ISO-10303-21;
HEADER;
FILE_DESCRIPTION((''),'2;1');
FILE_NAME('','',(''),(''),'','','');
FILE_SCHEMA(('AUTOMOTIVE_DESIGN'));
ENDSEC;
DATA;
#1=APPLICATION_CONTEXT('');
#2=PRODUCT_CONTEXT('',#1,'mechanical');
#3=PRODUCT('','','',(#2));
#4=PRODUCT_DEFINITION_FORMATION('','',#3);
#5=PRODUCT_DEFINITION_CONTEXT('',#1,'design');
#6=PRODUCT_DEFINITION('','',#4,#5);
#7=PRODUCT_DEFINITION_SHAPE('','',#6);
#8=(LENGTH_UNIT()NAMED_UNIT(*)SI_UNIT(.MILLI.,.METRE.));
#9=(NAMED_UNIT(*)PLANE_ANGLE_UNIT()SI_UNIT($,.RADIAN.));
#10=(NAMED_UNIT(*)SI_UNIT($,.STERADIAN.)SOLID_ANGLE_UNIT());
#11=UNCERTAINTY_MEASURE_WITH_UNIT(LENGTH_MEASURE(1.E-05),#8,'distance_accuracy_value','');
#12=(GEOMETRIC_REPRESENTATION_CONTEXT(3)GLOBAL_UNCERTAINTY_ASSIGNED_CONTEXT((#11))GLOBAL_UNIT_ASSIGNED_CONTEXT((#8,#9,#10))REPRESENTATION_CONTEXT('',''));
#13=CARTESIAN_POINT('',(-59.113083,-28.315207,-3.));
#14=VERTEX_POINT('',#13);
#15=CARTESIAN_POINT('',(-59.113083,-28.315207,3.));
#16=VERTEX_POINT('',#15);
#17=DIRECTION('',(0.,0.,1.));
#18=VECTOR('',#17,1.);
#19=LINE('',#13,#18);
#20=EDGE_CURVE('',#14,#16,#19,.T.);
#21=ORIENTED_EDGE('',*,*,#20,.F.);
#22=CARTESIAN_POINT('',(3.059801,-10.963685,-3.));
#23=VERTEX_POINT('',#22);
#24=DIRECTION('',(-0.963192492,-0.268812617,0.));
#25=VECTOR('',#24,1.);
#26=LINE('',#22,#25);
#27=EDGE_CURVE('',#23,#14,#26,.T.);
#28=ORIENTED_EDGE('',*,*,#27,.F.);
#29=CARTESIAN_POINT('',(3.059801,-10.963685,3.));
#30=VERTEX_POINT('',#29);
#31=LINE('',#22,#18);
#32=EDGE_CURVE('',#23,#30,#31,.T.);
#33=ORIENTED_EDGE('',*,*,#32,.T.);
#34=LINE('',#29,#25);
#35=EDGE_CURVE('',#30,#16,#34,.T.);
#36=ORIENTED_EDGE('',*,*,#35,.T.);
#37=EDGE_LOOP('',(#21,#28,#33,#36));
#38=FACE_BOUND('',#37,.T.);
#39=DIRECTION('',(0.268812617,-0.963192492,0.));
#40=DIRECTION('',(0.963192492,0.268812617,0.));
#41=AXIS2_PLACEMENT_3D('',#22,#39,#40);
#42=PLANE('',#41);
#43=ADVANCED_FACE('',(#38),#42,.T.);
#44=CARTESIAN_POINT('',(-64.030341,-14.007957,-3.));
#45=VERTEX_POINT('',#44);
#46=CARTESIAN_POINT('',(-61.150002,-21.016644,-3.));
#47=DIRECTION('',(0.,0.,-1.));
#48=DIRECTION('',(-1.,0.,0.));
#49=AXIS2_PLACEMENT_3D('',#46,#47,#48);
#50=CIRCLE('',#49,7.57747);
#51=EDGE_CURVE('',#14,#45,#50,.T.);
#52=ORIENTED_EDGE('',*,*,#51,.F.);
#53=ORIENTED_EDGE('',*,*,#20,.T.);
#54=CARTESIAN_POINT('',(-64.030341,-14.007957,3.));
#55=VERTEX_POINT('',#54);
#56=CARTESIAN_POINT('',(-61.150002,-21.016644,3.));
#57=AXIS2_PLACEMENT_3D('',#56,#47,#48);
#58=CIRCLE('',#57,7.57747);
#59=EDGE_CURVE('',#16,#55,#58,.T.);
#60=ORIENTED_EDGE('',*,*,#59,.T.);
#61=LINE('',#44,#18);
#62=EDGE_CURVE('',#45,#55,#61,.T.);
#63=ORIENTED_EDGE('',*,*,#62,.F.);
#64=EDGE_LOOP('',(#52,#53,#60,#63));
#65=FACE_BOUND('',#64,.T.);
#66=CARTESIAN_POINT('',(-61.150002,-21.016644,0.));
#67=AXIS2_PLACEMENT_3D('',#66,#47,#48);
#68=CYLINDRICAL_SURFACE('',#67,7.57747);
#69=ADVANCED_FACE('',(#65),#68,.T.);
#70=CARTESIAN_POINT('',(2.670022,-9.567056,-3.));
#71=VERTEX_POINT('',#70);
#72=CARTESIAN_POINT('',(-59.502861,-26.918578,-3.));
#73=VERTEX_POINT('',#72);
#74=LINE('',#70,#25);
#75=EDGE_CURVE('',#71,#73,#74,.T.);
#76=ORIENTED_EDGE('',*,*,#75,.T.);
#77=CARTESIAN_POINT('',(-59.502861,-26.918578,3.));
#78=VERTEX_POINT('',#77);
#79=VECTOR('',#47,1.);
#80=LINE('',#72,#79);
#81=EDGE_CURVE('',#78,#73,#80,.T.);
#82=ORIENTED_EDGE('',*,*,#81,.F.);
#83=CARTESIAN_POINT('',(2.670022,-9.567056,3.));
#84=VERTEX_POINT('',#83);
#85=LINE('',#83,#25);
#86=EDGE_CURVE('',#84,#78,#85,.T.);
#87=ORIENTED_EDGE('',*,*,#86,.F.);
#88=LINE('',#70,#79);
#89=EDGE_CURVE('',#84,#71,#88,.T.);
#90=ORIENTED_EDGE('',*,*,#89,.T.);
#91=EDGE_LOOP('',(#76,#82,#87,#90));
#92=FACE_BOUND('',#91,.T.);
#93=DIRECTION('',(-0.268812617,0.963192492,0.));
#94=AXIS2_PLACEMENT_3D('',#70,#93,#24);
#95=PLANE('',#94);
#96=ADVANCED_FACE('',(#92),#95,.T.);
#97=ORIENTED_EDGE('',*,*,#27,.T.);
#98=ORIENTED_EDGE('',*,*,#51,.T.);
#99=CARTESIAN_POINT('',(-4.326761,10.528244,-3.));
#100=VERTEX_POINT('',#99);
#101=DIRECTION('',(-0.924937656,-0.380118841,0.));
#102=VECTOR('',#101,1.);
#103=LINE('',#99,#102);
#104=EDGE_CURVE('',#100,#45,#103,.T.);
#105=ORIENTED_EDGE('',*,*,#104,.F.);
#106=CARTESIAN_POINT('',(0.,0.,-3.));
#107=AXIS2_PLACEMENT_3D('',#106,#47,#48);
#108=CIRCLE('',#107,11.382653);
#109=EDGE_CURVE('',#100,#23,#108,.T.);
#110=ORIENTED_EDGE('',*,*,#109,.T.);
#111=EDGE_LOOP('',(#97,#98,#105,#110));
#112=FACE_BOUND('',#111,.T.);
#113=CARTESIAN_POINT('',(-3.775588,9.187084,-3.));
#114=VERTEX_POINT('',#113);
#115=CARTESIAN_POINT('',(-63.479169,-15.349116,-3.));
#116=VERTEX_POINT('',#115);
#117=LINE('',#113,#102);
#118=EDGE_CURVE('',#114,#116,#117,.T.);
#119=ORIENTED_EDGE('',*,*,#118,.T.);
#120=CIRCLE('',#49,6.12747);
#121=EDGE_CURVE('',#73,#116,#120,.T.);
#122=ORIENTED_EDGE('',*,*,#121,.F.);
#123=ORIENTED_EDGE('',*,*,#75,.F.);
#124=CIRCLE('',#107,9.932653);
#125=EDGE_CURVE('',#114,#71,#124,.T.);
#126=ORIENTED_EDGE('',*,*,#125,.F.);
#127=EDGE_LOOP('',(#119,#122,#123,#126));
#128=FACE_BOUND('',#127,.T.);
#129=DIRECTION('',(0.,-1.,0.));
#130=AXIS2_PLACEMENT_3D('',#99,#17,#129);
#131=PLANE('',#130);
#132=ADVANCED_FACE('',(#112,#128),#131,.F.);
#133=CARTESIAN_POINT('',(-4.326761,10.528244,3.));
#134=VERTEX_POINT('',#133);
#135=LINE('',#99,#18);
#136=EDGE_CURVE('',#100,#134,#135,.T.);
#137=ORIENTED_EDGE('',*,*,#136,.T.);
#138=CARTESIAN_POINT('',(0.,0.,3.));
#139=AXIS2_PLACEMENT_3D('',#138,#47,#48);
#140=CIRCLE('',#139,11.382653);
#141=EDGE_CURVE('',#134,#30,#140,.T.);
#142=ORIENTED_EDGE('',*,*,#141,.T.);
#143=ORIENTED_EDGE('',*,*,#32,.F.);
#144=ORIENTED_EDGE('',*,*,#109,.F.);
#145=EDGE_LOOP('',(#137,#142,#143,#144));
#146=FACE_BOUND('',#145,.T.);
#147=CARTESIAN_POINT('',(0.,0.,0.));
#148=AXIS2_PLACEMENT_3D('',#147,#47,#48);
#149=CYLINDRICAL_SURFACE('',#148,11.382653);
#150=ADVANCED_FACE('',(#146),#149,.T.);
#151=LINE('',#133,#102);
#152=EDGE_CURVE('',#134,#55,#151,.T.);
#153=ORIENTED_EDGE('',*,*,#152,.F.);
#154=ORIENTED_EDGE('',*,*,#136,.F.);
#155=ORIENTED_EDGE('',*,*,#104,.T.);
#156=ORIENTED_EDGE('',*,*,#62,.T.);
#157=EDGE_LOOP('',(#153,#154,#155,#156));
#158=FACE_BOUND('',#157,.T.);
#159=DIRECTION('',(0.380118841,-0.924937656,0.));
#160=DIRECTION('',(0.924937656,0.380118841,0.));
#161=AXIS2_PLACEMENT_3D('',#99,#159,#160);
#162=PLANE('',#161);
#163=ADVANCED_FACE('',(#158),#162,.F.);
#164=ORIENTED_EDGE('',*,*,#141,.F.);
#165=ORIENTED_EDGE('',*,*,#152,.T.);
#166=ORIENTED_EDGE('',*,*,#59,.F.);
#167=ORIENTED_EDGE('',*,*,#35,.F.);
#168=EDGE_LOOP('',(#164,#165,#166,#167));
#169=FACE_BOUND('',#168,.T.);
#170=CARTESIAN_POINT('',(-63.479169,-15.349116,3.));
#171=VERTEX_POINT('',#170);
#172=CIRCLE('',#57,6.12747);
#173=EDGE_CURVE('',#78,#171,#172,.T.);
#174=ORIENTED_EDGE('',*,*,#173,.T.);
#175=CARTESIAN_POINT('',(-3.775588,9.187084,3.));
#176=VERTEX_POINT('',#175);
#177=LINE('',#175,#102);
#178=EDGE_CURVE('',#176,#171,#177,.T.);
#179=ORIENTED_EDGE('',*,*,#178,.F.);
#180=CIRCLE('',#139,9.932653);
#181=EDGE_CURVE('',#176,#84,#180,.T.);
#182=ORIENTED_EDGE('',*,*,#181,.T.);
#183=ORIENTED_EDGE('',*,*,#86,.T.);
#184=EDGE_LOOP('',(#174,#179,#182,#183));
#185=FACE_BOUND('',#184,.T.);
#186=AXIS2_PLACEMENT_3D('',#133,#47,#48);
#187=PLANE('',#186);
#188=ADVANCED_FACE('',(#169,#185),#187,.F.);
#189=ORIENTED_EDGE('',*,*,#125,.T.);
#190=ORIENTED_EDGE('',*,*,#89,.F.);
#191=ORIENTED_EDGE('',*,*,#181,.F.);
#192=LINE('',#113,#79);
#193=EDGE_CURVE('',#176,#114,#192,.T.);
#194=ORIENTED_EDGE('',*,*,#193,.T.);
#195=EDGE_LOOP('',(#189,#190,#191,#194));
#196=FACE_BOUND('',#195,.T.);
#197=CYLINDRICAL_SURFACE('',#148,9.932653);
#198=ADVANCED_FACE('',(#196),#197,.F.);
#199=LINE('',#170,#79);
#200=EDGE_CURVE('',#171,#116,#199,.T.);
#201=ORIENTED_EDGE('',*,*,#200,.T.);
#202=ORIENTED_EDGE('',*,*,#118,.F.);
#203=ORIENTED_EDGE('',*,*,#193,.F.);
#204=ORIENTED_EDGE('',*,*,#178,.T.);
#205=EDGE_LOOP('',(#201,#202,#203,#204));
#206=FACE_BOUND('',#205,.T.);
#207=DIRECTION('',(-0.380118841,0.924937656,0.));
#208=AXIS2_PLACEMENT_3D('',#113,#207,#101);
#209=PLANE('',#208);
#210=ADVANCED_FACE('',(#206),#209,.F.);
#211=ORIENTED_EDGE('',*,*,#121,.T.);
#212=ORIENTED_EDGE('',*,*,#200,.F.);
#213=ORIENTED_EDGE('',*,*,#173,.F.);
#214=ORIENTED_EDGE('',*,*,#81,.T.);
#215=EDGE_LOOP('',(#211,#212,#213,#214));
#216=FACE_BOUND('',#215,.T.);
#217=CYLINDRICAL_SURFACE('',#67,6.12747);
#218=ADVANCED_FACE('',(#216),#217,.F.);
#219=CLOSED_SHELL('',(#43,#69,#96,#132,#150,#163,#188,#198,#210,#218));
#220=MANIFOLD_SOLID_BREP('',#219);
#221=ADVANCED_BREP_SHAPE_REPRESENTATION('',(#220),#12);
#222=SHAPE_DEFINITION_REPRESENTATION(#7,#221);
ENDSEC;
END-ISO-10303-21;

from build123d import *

# Parameters (mm, degrees)
SKETCH3_W = 6
SKETCH3_H = 1.45


with BuildPart() as part:
    # Sweep1: sweep along a path in Sketch2
    with BuildLine(Plane.XY) as sweep1_path:
        Line((-63.479169169, -15.349116299), (-3.775588382, 9.187084379))
        ThreePointArc((-3.775588382, 9.187084379), (9.393349668, 3.228400383), (2.670022327, -9.567056381))
        Line((2.670022327, -9.567056381), (-59.502860815, -26.918578051))
        ThreePointArc((-59.502860815, -26.918578051), (-66.944775787, -23.008250243), (-63.479169169, -15.349116299))
    # Sketch3 → Sweep1 (sweep)
    with BuildSketch(Plane(origin=(-63.479169169, -15.349116299, 0), x_dir=(0, 0, -1), z_dir=(0.9249376555837554, 0.3801188410000567, 0))):
        with Locations((0, 0.725)):
            Rectangle(SKETCH3_W, SKETCH3_H)
    sweep(path=sweep1_path.line)


solid = part.part
